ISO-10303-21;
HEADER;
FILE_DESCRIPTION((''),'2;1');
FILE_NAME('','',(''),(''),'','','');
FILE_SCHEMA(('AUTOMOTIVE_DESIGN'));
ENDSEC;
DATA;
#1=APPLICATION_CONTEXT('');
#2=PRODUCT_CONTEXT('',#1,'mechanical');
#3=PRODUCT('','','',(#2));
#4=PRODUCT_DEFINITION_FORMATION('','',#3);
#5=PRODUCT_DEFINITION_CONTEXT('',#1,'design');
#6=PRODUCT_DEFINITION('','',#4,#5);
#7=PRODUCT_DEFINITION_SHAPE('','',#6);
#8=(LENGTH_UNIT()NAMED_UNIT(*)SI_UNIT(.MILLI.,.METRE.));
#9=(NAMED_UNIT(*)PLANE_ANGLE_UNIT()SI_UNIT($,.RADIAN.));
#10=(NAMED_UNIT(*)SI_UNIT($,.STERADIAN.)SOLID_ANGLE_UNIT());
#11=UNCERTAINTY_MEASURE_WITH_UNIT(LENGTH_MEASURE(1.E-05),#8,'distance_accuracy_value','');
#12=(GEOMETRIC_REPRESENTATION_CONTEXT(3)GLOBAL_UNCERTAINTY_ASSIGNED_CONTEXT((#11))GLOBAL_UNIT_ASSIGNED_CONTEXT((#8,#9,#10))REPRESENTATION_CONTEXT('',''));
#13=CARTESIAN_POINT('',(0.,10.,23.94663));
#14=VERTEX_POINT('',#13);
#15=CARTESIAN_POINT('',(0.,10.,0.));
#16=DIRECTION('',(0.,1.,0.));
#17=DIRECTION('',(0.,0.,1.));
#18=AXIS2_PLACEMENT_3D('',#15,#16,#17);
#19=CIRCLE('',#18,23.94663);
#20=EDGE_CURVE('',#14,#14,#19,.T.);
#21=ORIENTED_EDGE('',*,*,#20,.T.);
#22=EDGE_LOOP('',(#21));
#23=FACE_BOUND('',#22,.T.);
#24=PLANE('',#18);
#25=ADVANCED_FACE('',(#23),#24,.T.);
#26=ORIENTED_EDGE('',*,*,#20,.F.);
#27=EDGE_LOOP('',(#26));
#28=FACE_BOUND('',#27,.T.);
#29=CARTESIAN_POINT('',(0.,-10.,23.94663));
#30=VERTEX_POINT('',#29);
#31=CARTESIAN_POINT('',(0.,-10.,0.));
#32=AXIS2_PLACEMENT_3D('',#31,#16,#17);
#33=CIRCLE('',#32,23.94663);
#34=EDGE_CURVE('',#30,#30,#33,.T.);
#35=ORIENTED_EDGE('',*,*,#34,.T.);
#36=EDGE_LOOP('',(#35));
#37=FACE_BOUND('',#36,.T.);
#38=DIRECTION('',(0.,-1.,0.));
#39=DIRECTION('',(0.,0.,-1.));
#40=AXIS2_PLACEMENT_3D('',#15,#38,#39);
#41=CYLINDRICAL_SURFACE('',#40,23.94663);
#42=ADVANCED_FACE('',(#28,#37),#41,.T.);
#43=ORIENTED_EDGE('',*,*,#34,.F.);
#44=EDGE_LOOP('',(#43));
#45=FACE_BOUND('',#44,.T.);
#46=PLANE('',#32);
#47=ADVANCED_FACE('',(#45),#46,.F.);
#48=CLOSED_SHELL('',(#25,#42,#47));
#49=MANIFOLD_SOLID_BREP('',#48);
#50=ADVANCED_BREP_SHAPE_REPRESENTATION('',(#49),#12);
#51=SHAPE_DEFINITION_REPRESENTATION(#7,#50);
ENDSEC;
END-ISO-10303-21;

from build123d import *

# Parameters (mm, degrees)
SKIZZE2_R                       = 23.946630382
AUFSATZ_LINEAR_AUSTRAGEN1_DEPTH = 10


with BuildPart() as part:
    # Skizze2 → Aufsatz-Linear austragen1 (new body, symmetric)
    with BuildSketch(Plane(origin=(0, 0, 0), x_dir=(1, 0, 0), z_dir=(0, 1, 0))):
        Circle(SKIZZE2_R)
    extrude(amount=AUFSATZ_LINEAR_AUSTRAGEN1_DEPTH, both=True)


solid = part.part
